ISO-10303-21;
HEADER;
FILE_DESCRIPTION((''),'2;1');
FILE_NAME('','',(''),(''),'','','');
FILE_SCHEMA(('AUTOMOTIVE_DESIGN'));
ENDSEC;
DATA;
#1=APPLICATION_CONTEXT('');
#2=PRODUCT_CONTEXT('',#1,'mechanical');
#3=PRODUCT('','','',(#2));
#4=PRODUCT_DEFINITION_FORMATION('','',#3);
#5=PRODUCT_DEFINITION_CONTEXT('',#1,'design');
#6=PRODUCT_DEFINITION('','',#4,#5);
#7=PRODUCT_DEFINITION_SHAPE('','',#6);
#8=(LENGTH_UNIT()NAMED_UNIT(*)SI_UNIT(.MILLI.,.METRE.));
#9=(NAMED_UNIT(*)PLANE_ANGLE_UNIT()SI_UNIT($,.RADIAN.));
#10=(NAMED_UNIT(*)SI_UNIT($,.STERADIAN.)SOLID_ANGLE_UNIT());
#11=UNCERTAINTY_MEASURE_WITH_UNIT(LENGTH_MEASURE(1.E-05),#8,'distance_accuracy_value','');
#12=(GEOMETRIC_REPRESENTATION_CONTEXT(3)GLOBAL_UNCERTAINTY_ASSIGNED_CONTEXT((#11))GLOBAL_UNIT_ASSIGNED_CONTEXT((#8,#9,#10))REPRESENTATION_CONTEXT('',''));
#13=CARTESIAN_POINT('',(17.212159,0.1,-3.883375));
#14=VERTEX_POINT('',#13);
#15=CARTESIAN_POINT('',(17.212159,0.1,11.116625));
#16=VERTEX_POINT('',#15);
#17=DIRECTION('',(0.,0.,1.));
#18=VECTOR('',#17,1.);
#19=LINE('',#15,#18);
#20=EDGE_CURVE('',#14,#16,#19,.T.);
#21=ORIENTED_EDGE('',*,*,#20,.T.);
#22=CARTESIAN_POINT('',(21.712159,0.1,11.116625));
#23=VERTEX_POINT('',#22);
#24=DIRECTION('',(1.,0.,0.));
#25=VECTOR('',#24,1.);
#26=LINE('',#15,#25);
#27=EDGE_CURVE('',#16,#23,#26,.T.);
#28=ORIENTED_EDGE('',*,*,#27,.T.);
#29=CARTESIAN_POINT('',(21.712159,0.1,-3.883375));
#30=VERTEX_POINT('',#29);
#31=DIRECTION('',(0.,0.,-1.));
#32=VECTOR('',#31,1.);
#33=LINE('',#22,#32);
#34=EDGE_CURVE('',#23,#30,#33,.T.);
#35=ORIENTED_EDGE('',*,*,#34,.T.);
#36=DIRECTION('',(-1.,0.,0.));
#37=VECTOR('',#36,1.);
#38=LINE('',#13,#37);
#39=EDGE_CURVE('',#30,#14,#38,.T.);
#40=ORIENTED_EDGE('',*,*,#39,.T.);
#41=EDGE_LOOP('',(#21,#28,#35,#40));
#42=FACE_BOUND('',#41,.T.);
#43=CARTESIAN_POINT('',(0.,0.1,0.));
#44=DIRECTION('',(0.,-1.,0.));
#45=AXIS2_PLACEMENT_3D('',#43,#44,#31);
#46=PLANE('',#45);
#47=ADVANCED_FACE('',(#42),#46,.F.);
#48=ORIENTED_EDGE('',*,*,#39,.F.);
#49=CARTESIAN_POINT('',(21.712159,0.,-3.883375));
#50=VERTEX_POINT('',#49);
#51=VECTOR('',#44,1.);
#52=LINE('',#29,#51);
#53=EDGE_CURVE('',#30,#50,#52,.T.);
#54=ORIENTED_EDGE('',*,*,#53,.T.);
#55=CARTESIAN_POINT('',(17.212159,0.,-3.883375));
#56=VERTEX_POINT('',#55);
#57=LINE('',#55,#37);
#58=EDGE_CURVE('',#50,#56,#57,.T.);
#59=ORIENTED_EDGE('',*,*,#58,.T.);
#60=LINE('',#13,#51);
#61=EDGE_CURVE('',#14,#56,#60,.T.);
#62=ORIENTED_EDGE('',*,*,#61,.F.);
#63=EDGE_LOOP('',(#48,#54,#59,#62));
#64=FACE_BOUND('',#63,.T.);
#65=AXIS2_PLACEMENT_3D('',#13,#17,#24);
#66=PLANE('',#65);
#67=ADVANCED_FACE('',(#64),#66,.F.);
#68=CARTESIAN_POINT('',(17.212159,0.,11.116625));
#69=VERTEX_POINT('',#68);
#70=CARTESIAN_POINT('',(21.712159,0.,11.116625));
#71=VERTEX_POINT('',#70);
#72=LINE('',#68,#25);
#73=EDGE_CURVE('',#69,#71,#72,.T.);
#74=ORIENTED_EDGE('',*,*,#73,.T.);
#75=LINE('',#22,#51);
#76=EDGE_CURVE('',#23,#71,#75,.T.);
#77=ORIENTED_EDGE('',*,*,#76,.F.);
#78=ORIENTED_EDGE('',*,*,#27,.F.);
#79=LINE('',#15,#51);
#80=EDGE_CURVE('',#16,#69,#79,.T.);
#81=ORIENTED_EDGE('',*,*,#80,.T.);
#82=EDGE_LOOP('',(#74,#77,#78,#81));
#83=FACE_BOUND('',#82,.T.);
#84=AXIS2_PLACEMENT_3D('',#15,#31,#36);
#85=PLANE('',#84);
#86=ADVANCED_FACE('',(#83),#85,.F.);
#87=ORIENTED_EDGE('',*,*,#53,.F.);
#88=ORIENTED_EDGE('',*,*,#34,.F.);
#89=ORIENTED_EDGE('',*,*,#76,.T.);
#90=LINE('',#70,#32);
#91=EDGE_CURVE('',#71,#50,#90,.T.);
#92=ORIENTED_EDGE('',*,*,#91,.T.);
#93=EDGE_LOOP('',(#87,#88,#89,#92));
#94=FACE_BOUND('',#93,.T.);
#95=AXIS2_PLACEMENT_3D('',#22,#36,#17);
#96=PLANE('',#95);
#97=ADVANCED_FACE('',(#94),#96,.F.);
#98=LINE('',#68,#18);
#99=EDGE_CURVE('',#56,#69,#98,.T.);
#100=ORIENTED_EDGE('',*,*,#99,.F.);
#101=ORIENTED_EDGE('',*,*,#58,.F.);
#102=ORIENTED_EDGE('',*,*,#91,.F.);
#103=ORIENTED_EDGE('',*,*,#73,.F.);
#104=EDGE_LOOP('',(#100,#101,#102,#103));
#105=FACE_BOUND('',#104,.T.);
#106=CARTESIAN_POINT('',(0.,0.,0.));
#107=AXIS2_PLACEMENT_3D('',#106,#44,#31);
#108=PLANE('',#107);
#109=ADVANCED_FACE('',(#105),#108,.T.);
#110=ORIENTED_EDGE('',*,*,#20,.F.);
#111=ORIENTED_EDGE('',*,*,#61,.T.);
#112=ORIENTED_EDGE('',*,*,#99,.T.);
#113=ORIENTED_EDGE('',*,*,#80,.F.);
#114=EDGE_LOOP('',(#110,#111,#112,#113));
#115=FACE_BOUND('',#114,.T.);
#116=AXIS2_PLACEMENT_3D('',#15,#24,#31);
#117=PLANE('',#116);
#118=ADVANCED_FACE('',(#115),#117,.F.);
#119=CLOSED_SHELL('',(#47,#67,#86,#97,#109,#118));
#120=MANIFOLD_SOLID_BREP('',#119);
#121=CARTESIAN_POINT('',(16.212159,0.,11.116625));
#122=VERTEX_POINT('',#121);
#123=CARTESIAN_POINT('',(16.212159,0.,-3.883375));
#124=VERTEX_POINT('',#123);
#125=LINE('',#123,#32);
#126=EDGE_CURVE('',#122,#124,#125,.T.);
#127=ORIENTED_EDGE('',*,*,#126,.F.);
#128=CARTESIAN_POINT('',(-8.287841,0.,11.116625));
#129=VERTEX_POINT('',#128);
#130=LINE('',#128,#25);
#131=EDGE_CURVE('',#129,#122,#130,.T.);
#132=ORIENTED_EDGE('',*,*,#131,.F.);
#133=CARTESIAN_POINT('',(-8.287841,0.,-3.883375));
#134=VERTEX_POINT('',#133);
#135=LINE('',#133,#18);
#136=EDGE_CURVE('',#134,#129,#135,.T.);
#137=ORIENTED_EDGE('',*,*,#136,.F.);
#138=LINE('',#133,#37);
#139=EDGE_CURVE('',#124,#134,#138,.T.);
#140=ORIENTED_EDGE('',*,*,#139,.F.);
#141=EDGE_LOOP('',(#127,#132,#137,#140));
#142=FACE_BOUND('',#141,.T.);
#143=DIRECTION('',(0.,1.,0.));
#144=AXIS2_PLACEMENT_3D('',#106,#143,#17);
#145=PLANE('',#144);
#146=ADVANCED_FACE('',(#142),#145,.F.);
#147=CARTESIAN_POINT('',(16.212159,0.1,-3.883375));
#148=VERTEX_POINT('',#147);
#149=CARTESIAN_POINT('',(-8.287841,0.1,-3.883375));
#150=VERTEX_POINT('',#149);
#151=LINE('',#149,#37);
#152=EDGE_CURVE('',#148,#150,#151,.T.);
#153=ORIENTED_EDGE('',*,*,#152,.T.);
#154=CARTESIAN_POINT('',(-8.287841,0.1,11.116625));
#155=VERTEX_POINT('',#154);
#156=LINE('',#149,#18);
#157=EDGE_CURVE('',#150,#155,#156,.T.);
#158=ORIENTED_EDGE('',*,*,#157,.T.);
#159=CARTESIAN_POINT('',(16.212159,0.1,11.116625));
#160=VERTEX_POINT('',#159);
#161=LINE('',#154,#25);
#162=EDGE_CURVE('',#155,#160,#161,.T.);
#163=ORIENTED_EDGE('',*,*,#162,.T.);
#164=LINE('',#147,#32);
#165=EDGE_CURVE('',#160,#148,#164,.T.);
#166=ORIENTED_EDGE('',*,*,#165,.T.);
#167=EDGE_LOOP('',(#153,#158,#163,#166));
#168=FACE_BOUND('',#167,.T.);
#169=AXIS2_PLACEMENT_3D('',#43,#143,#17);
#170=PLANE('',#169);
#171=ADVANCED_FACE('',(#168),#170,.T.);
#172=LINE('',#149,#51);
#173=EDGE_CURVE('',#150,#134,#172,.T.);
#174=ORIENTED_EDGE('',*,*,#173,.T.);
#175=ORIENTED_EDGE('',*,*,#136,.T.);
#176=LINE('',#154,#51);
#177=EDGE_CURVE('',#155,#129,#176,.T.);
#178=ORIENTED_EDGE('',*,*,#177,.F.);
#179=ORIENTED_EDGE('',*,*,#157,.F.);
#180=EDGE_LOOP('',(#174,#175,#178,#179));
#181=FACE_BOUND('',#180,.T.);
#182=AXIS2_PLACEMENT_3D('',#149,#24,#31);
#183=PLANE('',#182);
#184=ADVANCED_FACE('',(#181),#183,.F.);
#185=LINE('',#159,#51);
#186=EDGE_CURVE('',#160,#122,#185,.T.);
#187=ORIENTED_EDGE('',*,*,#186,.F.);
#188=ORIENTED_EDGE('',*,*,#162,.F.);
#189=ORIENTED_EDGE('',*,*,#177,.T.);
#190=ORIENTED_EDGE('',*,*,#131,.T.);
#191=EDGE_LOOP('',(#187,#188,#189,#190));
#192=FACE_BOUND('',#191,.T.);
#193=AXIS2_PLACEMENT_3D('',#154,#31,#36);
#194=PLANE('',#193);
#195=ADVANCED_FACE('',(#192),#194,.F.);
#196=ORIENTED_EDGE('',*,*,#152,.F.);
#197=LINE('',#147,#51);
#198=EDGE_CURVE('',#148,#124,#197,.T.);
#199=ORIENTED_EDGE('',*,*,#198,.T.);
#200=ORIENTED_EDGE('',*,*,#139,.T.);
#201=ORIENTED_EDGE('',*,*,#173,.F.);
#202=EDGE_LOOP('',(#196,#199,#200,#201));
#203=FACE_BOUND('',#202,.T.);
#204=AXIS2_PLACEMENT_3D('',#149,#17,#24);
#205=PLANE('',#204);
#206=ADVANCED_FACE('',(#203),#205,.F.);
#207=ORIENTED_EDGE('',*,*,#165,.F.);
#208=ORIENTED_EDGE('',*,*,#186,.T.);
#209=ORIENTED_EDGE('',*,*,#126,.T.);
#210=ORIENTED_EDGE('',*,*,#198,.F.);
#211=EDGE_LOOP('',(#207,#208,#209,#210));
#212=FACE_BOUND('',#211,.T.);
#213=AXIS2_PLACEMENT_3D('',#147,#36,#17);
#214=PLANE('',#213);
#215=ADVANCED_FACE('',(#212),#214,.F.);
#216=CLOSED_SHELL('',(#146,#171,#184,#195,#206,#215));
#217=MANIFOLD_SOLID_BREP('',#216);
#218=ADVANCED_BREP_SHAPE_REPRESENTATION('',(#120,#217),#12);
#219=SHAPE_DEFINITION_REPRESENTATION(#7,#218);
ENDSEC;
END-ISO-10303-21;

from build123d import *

# Parameters (mm, degrees)
SKETCH1_W             = 24.5
SKETCH1_H             = 15
BOSS_EXTRUDE1_DEPTH   = 0.1
SKETCH1_W_2           = 4.5
BOSS_EXTRUDE1_2_DEPTH = 0.1


with BuildPart() as part:
    # Sketch1 → Boss-Extrude1 (new body)
    with BuildSketch(Plane(origin=(0, 0, 0), x_dir=(1, 0, 0), z_dir=(0, 1, 0))):
        with Locations((3.962158809, -3.61662531)):
            Rectangle(SKETCH1_W, SKETCH1_H)
    extrude(amount=BOSS_EXTRUDE1_DEPTH)


with BuildPart() as body_2:
    # Sketch1 → Boss-Extrude1 2 (new body)
    with BuildSketch(Plane(origin=(0, 0, 0), x_dir=(1, 0, 0), z_dir=(0, 1, 0))):
        with Locations((19.462158809, -3.61662531)):
            Rectangle(SKETCH1_W_2, SKETCH1_H)
    extrude(amount=BOSS_EXTRUDE1_2_DEPTH)


solid = Compound([part.part, body_2.part])
